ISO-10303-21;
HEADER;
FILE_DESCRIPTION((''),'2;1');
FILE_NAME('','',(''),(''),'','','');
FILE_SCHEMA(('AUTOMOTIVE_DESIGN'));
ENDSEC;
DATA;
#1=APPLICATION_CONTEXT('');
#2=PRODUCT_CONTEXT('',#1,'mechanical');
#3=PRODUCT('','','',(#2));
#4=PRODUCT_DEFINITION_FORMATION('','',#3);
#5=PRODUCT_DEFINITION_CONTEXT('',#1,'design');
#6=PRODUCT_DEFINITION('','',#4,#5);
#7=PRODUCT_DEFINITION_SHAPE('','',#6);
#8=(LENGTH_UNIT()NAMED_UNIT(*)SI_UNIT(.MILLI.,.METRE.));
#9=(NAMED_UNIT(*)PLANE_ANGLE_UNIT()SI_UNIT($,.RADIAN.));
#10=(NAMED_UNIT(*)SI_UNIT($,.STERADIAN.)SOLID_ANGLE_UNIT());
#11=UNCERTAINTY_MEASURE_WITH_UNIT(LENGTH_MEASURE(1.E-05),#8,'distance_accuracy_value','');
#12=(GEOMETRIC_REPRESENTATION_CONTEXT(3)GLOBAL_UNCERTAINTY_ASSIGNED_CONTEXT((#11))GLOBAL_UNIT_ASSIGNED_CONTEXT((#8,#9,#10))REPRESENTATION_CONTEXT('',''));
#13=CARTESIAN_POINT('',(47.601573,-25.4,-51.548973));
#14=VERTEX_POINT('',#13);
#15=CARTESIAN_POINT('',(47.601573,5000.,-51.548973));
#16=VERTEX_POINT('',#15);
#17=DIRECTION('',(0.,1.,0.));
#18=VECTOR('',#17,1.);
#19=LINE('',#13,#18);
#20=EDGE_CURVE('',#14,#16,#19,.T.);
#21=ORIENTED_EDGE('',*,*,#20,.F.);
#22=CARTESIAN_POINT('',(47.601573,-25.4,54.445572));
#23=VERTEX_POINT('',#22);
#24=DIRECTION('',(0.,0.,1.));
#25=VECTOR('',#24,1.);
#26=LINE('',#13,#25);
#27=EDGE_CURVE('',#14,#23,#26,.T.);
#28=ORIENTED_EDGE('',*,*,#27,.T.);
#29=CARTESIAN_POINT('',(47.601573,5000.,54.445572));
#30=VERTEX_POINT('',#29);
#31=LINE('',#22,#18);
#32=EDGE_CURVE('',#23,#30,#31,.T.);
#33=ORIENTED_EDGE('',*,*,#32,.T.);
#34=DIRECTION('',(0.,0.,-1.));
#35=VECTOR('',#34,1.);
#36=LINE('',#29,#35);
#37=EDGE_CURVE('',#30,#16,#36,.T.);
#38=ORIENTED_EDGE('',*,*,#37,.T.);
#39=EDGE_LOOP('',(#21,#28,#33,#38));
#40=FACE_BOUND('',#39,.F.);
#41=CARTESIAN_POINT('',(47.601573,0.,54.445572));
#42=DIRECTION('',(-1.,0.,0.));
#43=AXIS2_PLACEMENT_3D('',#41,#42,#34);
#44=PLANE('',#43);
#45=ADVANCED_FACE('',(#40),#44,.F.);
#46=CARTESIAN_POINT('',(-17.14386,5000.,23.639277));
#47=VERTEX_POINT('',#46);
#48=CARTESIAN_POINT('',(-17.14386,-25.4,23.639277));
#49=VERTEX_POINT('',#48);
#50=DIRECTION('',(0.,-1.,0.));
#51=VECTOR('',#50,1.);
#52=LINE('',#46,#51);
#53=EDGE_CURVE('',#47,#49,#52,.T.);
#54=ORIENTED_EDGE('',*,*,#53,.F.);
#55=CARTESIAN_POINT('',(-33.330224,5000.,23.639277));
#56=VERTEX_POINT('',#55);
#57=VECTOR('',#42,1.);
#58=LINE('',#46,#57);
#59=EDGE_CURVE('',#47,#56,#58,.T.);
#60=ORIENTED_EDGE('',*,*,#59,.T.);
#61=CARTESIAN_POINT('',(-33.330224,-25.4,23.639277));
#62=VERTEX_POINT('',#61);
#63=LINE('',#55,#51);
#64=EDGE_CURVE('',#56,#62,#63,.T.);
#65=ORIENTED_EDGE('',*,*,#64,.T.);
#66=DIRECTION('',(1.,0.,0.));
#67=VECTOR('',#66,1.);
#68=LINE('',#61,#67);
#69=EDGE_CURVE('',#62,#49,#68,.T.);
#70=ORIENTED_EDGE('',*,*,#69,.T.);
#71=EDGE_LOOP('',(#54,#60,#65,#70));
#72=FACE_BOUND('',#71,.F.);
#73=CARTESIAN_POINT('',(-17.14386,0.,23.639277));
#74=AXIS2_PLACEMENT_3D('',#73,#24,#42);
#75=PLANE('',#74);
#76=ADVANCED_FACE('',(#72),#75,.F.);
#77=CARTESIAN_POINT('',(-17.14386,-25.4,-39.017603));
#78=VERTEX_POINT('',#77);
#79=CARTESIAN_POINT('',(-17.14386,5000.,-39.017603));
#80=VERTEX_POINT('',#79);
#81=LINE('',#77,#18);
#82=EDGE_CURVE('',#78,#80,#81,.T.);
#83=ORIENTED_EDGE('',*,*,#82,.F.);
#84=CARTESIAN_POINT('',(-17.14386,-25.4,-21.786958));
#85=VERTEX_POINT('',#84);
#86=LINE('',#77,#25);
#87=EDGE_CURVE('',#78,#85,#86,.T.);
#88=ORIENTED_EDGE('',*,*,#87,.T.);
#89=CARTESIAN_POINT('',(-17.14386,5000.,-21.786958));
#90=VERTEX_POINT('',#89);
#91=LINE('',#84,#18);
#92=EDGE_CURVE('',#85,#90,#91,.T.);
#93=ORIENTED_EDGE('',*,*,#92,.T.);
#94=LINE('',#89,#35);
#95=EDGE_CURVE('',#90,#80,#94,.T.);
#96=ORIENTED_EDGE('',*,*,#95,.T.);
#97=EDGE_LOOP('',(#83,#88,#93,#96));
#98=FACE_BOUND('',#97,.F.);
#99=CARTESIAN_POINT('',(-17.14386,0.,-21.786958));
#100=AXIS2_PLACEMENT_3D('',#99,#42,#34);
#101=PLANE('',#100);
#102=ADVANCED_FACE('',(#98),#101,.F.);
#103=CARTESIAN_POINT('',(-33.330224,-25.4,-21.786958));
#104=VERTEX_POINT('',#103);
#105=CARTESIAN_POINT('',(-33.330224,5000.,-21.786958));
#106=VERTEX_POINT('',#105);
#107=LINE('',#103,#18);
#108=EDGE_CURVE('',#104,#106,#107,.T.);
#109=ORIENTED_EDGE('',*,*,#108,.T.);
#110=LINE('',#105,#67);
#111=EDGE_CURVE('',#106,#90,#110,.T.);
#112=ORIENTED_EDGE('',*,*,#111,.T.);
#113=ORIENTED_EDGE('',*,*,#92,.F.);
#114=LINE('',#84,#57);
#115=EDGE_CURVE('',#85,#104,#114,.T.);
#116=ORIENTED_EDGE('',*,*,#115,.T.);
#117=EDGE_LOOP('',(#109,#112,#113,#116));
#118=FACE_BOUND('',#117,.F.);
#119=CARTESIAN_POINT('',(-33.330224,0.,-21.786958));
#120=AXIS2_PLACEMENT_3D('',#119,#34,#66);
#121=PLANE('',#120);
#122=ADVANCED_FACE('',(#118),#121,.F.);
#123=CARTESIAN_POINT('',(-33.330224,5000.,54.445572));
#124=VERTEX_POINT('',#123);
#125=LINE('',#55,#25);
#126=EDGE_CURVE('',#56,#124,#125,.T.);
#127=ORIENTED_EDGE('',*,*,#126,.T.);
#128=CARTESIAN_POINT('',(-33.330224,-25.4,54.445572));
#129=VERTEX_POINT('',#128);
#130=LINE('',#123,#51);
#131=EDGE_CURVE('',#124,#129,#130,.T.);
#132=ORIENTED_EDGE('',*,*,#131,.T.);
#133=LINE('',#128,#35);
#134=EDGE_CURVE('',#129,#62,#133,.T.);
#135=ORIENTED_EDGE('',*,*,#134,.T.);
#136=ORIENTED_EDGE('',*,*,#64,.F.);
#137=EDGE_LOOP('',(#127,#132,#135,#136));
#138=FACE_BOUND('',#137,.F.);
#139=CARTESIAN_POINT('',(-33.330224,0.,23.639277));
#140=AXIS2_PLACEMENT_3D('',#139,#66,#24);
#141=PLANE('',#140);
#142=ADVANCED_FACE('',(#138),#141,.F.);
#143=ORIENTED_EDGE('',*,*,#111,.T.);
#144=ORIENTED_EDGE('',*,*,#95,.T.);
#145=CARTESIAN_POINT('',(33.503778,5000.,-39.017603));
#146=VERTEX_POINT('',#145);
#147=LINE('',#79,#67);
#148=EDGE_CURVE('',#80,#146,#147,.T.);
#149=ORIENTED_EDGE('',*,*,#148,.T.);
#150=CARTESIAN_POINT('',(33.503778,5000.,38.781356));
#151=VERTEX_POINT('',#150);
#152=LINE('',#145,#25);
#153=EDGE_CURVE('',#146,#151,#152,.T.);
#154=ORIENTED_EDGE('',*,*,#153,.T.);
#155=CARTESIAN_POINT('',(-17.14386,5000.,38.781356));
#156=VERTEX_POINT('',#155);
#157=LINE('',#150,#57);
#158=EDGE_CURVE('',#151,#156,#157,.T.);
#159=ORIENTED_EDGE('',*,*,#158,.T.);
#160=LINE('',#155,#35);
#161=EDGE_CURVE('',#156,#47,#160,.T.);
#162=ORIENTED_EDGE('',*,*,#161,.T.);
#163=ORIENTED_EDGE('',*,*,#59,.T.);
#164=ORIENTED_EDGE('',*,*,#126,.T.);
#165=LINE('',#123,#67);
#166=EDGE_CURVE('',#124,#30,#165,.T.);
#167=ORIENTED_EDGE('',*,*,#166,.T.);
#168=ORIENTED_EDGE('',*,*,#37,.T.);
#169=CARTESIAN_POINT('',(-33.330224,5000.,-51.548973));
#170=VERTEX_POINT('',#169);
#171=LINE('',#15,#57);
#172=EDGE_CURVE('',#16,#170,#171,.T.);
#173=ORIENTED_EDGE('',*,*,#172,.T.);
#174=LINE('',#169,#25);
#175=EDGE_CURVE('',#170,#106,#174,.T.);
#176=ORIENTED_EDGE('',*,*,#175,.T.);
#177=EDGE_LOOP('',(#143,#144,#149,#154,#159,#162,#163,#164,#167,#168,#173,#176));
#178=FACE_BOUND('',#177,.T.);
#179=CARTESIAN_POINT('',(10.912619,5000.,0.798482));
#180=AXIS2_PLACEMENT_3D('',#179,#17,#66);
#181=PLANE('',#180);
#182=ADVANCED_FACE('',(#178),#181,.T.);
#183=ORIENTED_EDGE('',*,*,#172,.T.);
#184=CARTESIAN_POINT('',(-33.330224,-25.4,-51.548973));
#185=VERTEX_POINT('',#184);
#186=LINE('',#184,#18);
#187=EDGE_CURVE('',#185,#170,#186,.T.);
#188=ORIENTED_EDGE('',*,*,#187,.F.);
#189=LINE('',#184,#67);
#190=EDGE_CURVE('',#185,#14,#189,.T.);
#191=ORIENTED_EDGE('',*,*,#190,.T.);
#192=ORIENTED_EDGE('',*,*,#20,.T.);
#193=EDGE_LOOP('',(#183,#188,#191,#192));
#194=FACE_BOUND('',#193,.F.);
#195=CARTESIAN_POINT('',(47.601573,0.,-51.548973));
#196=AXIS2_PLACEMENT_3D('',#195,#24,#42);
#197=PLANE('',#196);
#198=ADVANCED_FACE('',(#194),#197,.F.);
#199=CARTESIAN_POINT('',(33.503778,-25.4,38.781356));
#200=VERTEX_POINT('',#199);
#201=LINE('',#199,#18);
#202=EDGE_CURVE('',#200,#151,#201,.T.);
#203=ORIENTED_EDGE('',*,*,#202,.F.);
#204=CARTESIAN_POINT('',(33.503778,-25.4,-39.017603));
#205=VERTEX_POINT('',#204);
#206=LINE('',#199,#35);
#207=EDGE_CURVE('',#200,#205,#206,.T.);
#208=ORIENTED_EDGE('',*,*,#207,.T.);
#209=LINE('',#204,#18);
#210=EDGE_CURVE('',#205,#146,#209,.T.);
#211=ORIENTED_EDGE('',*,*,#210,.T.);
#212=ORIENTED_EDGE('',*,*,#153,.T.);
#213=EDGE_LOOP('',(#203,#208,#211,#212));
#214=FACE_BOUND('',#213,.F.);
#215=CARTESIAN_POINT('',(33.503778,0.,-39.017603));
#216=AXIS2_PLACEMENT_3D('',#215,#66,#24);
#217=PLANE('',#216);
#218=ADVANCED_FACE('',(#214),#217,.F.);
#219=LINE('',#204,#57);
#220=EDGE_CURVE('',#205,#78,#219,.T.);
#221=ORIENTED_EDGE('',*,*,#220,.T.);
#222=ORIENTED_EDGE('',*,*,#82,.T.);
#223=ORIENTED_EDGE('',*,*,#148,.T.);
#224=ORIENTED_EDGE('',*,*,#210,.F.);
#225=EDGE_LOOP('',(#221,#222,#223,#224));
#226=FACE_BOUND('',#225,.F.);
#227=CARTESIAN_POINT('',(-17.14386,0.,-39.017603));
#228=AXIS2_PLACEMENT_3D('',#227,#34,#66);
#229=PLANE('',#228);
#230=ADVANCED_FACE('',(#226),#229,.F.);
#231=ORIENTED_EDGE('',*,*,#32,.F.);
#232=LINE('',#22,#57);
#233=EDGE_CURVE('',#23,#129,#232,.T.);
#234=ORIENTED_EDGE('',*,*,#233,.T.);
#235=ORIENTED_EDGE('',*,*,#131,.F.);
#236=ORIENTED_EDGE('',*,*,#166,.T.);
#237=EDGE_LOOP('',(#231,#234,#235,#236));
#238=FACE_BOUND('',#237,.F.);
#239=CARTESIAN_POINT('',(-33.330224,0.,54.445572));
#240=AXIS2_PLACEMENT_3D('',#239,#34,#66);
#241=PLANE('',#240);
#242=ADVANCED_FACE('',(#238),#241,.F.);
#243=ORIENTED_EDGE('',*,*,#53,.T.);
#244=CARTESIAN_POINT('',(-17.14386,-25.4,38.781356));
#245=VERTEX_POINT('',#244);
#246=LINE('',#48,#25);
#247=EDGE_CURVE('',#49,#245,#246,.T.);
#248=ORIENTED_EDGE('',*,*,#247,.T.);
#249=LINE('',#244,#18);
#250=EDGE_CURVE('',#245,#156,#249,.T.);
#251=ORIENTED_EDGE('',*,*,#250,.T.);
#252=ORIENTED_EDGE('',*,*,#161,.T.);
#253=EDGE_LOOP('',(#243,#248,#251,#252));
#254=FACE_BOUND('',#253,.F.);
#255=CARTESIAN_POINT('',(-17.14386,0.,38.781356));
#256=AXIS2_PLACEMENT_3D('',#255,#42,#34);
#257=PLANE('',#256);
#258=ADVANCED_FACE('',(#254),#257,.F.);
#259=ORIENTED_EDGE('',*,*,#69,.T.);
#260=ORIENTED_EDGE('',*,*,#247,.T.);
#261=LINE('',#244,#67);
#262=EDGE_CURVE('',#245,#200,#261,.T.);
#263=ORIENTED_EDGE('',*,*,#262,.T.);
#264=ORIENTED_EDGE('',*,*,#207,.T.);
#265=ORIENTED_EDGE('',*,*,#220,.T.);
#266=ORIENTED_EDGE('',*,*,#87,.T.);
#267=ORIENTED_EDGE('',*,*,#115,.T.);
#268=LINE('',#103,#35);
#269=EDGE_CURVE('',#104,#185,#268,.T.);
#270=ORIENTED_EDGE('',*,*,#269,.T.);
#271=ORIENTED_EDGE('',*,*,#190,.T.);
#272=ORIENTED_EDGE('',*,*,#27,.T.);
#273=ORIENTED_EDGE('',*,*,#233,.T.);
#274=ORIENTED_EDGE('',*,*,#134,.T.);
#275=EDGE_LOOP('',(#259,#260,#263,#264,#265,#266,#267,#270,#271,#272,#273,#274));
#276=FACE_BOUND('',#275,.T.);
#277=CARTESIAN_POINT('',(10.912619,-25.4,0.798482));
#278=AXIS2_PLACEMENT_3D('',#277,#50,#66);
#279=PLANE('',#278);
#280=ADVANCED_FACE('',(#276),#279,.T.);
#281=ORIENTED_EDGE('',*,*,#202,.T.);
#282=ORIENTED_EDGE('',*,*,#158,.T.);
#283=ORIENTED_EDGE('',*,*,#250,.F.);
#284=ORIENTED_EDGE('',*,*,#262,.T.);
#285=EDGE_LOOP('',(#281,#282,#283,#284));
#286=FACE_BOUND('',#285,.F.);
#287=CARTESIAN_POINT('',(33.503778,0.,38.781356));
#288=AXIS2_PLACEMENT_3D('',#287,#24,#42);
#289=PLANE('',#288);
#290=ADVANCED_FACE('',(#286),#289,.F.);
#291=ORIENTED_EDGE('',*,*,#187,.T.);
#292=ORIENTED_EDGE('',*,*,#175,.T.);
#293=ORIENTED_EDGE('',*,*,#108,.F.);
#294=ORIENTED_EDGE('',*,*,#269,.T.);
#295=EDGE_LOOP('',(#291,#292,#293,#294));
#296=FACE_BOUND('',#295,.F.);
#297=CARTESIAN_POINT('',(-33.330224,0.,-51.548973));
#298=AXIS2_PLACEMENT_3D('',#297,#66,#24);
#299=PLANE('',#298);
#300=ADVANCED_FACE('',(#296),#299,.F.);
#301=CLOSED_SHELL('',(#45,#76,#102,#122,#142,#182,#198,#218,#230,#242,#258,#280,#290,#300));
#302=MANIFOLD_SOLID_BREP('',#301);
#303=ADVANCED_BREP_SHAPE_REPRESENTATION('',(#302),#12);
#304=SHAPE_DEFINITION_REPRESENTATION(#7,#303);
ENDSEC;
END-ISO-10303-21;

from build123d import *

# Parameters (mm, degrees)
F1_DEPTH = 25.4
F2_DEPTH = 5000


with BuildPart() as f1:
    # F0 (on Front) → F1 (new body)
    with BuildSketch(Plane.XZ):
        Polygon((47.601573, 54.445572), (-33.330224, 54.445572), (-33.330224, 23.639277), (-17.14386, 23.639277), (-17.14386, 38.781356), (33.503778, 38.781356), (33.503778, -39.017603), (-17.14386, -39.017603), (-17.14386, -21.786958), (-33.330224, -21.786958), (-33.330224, -51.548973), (47.601573, -51.548973), align=None)
    extrude(amount=F1_DEPTH)

    # F1_face (on face) → F2 (join)
    with BuildSketch(Plane(origin=(12.180467, 0, 3.128197), x_dir=(1, 0, 0), z_dir=(0, 1, 0))):
        Polygon((-45.510691, -51.317375), (35.421106, -51.317375), (35.421106, 54.67717), (-45.510691, 54.67717), (-45.510691, 24.915155), (-29.324327, 24.915155), (-29.324327, 42.1458), (21.323311, 42.1458), (21.323311, -35.653159), (-29.324327, -35.653159), (-29.324327, -20.51108), (-45.510691, -20.51108), align=None)
    extrude(amount=F2_DEPTH)


solid = f1.part
